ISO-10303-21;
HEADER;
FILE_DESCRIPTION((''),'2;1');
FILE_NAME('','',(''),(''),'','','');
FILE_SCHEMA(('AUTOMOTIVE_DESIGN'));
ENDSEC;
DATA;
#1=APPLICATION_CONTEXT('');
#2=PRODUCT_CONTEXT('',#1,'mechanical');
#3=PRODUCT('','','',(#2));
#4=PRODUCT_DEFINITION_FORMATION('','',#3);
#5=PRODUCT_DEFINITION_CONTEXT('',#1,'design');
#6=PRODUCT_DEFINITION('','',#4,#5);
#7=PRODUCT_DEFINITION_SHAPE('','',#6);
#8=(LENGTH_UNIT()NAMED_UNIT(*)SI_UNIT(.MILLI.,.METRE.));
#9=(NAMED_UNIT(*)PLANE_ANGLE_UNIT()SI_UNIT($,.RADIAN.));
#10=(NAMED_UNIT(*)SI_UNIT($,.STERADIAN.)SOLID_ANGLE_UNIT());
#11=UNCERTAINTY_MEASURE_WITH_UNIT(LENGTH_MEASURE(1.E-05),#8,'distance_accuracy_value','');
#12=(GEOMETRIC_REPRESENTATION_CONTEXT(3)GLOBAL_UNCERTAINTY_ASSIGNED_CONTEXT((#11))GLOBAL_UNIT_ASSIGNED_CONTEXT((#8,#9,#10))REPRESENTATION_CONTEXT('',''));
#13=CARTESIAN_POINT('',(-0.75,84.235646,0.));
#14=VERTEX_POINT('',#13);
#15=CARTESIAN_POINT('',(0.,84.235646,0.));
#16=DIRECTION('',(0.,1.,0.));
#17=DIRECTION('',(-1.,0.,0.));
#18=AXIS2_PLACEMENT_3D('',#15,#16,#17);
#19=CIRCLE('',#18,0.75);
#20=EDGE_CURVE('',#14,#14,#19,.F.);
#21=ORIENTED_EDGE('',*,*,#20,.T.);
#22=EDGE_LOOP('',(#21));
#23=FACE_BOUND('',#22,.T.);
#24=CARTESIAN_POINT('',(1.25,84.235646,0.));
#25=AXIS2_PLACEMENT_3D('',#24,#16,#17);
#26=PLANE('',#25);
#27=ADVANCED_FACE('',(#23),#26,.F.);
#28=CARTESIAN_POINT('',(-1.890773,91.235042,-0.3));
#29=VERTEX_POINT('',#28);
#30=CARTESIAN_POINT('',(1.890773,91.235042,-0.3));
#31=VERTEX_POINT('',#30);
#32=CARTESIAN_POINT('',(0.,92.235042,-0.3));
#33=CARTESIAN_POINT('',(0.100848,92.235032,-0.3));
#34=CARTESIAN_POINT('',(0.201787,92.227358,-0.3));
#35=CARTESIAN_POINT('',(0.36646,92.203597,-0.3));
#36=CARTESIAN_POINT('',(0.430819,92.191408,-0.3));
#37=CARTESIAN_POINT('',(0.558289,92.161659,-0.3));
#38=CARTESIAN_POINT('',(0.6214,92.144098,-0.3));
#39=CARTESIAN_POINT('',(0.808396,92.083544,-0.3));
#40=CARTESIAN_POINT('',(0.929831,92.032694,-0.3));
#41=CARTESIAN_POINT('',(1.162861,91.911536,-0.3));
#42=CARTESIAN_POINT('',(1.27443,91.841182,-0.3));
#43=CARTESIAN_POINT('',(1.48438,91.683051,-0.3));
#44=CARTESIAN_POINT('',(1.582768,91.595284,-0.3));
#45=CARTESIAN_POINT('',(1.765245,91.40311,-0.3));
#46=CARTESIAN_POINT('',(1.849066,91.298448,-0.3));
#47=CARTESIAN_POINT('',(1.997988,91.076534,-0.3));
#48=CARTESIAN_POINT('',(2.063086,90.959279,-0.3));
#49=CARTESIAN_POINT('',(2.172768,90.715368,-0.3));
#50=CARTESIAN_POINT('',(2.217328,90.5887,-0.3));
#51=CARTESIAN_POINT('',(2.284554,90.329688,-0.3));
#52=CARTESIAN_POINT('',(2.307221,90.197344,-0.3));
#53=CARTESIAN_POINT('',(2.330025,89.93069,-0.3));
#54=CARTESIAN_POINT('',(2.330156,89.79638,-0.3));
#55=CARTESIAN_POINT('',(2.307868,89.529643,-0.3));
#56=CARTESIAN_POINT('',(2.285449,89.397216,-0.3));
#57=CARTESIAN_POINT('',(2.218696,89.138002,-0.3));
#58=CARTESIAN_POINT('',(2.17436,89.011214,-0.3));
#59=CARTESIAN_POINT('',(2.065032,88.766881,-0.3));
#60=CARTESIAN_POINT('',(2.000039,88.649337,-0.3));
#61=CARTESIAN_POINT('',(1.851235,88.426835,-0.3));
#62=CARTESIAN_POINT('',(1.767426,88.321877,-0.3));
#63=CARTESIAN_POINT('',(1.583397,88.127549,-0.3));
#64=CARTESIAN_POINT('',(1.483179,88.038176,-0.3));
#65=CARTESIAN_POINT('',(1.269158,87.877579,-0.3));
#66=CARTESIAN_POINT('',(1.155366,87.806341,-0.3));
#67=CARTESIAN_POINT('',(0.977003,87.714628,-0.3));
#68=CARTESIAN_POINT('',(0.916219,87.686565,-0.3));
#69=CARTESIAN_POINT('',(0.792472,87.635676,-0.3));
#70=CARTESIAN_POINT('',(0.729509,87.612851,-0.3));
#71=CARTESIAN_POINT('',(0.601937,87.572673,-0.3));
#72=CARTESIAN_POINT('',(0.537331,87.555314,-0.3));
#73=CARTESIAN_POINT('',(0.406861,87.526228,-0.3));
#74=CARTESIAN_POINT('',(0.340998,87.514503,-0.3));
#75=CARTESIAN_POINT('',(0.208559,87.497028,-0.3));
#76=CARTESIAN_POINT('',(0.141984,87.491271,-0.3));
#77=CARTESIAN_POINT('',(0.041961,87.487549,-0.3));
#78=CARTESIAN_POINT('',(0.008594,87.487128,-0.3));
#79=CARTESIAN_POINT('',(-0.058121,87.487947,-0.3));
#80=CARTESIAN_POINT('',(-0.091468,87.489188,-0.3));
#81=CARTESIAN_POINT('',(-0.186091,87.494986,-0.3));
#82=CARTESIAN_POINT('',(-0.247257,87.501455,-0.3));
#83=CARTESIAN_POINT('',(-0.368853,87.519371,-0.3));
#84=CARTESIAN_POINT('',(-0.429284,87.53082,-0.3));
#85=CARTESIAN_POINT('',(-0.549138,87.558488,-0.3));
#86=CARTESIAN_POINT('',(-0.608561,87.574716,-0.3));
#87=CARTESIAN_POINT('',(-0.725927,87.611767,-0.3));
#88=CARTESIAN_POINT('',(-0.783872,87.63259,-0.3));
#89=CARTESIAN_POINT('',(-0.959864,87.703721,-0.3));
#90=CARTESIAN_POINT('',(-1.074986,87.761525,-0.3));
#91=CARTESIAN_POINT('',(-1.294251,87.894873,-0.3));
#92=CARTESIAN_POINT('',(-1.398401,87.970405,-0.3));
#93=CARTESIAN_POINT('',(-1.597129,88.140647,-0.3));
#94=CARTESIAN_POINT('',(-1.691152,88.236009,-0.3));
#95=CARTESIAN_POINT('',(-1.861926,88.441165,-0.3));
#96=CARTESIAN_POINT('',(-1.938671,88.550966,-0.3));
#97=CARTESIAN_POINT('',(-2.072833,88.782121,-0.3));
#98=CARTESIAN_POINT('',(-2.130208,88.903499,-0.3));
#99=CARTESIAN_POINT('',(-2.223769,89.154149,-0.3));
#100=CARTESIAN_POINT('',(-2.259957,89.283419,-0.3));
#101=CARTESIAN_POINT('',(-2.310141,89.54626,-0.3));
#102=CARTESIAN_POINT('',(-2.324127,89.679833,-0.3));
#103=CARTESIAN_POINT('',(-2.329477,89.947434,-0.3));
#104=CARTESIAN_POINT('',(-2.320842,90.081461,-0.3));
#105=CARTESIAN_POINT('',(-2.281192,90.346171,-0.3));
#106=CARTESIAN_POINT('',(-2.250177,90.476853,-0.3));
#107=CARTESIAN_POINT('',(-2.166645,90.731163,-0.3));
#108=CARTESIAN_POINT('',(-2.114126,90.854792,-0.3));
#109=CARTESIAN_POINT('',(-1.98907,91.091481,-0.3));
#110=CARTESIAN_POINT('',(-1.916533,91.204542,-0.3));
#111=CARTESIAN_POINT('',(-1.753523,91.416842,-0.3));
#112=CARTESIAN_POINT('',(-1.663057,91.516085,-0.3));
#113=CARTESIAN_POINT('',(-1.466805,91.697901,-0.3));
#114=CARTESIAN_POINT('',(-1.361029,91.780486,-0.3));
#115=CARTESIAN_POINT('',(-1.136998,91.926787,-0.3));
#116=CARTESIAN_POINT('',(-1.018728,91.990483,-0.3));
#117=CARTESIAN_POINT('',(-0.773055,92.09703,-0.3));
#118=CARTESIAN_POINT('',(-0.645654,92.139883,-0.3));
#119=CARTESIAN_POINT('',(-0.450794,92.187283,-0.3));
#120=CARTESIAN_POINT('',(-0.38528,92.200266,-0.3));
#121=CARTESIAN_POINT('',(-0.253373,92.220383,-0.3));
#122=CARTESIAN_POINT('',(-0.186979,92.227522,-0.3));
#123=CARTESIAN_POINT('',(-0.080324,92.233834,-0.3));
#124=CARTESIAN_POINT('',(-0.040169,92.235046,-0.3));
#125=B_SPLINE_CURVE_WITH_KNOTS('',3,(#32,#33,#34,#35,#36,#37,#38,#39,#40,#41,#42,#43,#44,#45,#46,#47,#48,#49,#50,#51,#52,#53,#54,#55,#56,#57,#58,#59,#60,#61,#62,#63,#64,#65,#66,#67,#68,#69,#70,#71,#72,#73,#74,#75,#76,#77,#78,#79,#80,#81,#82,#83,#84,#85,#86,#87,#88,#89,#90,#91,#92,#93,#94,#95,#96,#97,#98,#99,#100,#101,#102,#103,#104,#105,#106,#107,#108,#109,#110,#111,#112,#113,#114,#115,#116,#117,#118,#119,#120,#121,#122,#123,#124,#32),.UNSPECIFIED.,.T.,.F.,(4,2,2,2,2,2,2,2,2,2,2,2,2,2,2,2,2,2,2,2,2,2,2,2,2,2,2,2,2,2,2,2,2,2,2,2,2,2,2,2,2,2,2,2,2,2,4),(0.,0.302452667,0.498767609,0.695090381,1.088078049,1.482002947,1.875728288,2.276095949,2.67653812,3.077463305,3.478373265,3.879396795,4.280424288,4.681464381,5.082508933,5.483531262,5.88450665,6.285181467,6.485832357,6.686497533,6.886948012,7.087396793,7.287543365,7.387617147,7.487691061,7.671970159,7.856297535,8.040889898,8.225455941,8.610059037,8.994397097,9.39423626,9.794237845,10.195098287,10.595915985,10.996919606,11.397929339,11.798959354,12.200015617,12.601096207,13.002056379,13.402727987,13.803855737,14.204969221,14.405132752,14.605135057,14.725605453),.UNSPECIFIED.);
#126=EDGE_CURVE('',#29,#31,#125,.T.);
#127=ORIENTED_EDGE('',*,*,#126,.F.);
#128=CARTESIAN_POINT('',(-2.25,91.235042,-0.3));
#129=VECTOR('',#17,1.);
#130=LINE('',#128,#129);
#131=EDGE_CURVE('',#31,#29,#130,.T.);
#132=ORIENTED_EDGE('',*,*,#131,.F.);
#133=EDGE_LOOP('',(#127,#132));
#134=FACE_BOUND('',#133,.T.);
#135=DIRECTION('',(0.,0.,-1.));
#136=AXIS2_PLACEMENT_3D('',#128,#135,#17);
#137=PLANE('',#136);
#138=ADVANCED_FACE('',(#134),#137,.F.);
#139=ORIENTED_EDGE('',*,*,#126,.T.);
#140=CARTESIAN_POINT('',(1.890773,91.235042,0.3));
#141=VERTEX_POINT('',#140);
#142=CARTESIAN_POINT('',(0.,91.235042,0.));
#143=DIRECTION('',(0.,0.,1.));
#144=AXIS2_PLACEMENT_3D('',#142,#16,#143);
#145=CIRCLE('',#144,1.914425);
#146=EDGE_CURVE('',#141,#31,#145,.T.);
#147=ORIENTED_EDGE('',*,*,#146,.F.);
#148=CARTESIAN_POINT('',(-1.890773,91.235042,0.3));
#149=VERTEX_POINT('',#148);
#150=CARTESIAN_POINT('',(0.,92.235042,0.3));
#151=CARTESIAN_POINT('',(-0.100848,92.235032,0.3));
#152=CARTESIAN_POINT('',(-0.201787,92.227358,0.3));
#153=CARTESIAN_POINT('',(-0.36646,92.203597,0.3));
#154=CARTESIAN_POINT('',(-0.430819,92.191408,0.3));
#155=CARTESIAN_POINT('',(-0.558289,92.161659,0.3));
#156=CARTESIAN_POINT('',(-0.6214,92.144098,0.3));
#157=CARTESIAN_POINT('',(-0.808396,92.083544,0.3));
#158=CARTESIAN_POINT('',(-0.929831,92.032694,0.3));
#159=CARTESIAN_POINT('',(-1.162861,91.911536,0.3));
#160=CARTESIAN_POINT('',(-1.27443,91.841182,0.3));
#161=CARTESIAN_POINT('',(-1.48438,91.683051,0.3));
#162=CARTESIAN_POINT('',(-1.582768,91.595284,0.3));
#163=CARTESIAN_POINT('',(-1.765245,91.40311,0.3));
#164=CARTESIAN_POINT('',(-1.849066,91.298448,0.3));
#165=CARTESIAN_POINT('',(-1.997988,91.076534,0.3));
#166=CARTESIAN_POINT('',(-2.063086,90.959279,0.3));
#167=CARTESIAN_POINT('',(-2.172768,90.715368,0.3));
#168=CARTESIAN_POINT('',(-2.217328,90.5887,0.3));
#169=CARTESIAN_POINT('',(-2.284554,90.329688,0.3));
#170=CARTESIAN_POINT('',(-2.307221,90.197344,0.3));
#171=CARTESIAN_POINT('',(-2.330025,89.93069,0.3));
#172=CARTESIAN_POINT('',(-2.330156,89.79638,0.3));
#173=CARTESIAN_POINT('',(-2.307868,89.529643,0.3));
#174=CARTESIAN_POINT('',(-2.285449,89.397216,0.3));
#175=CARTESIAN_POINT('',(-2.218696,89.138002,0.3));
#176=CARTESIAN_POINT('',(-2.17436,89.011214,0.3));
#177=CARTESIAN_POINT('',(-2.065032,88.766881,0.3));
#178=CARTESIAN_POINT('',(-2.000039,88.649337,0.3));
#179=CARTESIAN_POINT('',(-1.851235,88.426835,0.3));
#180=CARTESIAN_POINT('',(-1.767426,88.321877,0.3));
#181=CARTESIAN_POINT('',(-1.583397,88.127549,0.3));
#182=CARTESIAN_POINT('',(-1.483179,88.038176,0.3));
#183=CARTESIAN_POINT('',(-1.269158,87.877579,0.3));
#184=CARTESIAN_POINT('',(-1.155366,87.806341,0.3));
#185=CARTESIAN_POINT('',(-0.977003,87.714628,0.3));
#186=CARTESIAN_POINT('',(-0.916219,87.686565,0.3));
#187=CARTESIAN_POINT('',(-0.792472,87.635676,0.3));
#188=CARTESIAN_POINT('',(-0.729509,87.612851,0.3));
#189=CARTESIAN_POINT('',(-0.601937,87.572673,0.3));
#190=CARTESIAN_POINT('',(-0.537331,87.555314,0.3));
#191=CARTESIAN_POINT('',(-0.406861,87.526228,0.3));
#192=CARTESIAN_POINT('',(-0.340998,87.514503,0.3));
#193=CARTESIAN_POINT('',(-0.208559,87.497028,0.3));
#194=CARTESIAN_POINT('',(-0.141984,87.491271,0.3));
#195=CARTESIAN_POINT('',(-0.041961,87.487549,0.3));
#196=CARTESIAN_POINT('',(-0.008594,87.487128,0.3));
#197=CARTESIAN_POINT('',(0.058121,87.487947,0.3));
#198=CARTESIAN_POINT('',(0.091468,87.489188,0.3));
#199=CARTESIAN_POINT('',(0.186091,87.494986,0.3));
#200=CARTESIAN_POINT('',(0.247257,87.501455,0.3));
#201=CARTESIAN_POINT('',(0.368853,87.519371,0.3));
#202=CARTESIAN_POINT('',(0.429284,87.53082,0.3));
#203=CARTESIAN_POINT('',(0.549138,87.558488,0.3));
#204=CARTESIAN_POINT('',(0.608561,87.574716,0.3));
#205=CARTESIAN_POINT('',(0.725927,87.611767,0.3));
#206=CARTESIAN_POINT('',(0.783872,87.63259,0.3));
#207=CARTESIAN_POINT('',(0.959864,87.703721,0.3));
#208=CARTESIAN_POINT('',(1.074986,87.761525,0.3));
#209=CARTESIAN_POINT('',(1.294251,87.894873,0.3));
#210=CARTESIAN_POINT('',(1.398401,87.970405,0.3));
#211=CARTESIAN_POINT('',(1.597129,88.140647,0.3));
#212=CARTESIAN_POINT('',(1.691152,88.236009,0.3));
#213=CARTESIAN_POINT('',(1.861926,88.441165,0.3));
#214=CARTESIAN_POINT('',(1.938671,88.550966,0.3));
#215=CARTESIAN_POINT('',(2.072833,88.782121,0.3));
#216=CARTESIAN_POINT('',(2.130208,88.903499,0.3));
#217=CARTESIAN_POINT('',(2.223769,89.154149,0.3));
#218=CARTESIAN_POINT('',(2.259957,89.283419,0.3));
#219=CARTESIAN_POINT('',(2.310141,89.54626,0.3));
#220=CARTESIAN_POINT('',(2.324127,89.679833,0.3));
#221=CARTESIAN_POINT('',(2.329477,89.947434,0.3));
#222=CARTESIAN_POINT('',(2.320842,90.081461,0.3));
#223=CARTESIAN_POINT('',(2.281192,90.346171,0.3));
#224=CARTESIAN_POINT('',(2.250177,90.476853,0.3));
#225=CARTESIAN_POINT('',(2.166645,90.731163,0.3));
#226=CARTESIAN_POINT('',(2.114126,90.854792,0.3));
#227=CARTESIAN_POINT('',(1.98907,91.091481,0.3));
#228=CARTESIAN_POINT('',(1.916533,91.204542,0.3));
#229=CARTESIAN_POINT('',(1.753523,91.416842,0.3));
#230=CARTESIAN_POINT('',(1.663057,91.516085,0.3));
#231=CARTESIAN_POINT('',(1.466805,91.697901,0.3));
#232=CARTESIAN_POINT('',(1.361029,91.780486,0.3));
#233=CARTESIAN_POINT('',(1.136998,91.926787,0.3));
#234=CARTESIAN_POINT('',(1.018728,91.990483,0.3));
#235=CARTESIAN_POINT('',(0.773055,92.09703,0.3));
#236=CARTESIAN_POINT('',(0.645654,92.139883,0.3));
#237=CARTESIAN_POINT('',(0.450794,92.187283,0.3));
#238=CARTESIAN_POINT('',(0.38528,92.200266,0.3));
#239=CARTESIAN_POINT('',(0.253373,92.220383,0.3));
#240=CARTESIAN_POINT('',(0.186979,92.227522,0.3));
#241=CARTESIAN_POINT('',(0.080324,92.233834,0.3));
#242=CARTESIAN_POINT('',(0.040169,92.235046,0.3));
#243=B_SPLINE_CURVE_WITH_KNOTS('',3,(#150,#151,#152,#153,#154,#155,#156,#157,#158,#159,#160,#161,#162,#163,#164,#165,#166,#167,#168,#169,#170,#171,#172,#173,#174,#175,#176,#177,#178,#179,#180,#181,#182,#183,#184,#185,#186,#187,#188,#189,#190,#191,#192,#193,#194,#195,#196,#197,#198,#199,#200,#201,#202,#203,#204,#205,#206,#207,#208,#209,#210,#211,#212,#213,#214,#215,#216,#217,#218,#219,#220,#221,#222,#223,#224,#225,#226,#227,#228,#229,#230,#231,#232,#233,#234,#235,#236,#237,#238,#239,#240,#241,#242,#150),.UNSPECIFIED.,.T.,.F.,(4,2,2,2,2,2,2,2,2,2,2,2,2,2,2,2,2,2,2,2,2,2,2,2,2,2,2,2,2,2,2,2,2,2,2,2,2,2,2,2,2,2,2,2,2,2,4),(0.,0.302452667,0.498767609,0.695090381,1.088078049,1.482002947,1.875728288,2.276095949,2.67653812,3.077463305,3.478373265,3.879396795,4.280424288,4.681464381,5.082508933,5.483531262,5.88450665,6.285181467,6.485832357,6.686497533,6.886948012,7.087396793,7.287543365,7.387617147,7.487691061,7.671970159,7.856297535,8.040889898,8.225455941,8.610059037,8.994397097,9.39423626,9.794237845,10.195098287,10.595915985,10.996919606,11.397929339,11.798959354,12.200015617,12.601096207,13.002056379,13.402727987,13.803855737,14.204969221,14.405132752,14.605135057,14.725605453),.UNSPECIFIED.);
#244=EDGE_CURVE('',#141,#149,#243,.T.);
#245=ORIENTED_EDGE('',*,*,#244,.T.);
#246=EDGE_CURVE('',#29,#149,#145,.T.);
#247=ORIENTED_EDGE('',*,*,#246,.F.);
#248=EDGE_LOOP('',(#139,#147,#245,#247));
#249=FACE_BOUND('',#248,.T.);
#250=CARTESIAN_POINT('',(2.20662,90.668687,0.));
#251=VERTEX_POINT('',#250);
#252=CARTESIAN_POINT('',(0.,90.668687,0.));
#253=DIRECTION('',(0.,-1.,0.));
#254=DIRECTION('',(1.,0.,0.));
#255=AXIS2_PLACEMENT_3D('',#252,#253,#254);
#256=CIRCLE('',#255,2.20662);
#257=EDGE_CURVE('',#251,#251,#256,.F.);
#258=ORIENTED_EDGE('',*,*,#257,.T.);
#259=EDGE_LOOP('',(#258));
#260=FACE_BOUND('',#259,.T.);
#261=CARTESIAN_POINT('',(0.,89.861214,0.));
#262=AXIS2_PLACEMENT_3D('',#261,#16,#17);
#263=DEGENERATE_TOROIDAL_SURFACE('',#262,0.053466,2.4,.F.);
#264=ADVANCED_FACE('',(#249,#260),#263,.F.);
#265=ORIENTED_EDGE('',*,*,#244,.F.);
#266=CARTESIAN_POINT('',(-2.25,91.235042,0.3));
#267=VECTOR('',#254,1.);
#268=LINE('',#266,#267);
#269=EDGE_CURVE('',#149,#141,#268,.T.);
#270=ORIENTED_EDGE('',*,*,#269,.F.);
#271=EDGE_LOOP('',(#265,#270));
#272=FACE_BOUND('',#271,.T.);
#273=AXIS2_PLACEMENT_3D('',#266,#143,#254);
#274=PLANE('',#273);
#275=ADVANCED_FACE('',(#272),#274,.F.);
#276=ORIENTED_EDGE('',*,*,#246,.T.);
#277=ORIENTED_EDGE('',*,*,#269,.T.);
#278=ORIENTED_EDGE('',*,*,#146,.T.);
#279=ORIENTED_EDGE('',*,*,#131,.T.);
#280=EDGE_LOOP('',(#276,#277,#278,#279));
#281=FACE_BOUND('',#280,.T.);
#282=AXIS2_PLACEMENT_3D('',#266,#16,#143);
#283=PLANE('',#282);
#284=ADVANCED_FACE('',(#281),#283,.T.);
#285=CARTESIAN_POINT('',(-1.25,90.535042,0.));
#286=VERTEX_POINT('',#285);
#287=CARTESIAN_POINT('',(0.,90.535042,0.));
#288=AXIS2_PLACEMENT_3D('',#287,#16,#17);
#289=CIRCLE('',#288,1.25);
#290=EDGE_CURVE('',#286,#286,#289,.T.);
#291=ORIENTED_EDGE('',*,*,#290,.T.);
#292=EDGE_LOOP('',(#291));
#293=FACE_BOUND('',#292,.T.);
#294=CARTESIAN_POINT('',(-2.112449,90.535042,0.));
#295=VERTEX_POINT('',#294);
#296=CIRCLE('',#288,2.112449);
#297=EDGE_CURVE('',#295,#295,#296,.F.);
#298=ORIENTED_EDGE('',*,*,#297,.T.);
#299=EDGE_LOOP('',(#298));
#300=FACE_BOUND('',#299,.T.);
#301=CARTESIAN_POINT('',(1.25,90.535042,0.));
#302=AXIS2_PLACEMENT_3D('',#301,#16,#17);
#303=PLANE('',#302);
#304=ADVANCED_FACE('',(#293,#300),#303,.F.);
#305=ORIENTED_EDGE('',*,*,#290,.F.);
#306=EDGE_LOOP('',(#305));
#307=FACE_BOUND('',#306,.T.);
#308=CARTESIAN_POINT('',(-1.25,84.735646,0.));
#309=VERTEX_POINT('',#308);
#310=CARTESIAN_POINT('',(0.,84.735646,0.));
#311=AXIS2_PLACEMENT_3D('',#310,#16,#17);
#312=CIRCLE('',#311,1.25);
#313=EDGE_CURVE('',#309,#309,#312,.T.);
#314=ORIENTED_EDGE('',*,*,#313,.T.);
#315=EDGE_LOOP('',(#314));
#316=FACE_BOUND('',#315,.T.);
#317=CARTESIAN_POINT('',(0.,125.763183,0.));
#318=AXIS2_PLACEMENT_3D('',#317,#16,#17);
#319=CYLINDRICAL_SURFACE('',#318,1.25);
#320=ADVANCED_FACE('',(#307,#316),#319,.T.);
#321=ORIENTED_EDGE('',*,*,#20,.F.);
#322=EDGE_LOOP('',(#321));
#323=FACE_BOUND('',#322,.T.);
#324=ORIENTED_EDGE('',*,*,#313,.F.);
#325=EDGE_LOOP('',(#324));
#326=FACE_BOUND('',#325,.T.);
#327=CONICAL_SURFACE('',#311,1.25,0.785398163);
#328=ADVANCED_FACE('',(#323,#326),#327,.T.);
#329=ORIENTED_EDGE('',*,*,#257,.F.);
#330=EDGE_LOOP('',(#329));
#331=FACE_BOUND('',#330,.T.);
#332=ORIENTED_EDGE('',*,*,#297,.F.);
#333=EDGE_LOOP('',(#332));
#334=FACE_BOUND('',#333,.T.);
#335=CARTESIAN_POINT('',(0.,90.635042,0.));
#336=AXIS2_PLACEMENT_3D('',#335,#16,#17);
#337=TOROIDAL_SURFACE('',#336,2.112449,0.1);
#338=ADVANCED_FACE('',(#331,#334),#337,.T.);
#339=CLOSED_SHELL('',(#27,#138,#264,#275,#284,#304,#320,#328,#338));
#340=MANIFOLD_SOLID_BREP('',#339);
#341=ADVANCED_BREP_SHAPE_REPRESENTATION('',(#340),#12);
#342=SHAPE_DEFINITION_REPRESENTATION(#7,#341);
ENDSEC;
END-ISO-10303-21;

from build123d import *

# Parameters (mm, degrees)
SKETCH_13_W         = 4.5
SKETCH_13_H         = 0.6
CUT_EXTRUDE_9_DEPTH = 1
FILLET_1_R          = 0.1
CHAMFER_1_SIZE      = 0.5


with BuildPart() as part:
    # Эскиз1 → Повернуть1 (revolve)
    with BuildSketch(Plane.XY):
        with BuildLine():
            Line((1.25, 90.535042223), (2.25, 90.535042223))
            ThreePointArc((2.25, 90.535042223), (1.523658588, 91.67026825), (0.3, 92.235042223))
            Line((0.3, 92.235042223), (0, 92.235042223))
            Line((0, 92.235042223), (0, 84.235646063))
            Line((0, 84.235646063), (1.25, 84.235646063))
            Line((1.25, 84.235646063), (1.25, 90.535042223))
        make_face()
    revolve(axis=Axis((0, 125.763182898, 0), (0, -1, 0)))

    # Эскиз13 → Вырез-Вытянуть9 (cut)
    with BuildSketch(Plane(origin=(0, 92.235042223, 0), x_dir=(-1, 0, 0), z_dir=(0, 1, 0))):
        Rectangle(SKETCH_13_W, SKETCH_13_H)
    extrude(amount=-CUT_EXTRUDE_9_DEPTH, mode=Mode.SUBTRACT)

    # Скругление1
    fillet_1_edges = [part.edges().sort_by_distance(p)[0] for p in [
        (-2.25, 90.535042223, 0),
    ]]
    fillet(fillet_1_edges, radius=FILLET_1_R)

    # Фаска1
    chamfer_1_edges = [part.edges().sort_by_distance(p)[0] for p in [
        (-1.25, 84.235646063, 0),
    ]]
    chamfer(chamfer_1_edges, length=CHAMFER_1_SIZE)


solid = part.part
